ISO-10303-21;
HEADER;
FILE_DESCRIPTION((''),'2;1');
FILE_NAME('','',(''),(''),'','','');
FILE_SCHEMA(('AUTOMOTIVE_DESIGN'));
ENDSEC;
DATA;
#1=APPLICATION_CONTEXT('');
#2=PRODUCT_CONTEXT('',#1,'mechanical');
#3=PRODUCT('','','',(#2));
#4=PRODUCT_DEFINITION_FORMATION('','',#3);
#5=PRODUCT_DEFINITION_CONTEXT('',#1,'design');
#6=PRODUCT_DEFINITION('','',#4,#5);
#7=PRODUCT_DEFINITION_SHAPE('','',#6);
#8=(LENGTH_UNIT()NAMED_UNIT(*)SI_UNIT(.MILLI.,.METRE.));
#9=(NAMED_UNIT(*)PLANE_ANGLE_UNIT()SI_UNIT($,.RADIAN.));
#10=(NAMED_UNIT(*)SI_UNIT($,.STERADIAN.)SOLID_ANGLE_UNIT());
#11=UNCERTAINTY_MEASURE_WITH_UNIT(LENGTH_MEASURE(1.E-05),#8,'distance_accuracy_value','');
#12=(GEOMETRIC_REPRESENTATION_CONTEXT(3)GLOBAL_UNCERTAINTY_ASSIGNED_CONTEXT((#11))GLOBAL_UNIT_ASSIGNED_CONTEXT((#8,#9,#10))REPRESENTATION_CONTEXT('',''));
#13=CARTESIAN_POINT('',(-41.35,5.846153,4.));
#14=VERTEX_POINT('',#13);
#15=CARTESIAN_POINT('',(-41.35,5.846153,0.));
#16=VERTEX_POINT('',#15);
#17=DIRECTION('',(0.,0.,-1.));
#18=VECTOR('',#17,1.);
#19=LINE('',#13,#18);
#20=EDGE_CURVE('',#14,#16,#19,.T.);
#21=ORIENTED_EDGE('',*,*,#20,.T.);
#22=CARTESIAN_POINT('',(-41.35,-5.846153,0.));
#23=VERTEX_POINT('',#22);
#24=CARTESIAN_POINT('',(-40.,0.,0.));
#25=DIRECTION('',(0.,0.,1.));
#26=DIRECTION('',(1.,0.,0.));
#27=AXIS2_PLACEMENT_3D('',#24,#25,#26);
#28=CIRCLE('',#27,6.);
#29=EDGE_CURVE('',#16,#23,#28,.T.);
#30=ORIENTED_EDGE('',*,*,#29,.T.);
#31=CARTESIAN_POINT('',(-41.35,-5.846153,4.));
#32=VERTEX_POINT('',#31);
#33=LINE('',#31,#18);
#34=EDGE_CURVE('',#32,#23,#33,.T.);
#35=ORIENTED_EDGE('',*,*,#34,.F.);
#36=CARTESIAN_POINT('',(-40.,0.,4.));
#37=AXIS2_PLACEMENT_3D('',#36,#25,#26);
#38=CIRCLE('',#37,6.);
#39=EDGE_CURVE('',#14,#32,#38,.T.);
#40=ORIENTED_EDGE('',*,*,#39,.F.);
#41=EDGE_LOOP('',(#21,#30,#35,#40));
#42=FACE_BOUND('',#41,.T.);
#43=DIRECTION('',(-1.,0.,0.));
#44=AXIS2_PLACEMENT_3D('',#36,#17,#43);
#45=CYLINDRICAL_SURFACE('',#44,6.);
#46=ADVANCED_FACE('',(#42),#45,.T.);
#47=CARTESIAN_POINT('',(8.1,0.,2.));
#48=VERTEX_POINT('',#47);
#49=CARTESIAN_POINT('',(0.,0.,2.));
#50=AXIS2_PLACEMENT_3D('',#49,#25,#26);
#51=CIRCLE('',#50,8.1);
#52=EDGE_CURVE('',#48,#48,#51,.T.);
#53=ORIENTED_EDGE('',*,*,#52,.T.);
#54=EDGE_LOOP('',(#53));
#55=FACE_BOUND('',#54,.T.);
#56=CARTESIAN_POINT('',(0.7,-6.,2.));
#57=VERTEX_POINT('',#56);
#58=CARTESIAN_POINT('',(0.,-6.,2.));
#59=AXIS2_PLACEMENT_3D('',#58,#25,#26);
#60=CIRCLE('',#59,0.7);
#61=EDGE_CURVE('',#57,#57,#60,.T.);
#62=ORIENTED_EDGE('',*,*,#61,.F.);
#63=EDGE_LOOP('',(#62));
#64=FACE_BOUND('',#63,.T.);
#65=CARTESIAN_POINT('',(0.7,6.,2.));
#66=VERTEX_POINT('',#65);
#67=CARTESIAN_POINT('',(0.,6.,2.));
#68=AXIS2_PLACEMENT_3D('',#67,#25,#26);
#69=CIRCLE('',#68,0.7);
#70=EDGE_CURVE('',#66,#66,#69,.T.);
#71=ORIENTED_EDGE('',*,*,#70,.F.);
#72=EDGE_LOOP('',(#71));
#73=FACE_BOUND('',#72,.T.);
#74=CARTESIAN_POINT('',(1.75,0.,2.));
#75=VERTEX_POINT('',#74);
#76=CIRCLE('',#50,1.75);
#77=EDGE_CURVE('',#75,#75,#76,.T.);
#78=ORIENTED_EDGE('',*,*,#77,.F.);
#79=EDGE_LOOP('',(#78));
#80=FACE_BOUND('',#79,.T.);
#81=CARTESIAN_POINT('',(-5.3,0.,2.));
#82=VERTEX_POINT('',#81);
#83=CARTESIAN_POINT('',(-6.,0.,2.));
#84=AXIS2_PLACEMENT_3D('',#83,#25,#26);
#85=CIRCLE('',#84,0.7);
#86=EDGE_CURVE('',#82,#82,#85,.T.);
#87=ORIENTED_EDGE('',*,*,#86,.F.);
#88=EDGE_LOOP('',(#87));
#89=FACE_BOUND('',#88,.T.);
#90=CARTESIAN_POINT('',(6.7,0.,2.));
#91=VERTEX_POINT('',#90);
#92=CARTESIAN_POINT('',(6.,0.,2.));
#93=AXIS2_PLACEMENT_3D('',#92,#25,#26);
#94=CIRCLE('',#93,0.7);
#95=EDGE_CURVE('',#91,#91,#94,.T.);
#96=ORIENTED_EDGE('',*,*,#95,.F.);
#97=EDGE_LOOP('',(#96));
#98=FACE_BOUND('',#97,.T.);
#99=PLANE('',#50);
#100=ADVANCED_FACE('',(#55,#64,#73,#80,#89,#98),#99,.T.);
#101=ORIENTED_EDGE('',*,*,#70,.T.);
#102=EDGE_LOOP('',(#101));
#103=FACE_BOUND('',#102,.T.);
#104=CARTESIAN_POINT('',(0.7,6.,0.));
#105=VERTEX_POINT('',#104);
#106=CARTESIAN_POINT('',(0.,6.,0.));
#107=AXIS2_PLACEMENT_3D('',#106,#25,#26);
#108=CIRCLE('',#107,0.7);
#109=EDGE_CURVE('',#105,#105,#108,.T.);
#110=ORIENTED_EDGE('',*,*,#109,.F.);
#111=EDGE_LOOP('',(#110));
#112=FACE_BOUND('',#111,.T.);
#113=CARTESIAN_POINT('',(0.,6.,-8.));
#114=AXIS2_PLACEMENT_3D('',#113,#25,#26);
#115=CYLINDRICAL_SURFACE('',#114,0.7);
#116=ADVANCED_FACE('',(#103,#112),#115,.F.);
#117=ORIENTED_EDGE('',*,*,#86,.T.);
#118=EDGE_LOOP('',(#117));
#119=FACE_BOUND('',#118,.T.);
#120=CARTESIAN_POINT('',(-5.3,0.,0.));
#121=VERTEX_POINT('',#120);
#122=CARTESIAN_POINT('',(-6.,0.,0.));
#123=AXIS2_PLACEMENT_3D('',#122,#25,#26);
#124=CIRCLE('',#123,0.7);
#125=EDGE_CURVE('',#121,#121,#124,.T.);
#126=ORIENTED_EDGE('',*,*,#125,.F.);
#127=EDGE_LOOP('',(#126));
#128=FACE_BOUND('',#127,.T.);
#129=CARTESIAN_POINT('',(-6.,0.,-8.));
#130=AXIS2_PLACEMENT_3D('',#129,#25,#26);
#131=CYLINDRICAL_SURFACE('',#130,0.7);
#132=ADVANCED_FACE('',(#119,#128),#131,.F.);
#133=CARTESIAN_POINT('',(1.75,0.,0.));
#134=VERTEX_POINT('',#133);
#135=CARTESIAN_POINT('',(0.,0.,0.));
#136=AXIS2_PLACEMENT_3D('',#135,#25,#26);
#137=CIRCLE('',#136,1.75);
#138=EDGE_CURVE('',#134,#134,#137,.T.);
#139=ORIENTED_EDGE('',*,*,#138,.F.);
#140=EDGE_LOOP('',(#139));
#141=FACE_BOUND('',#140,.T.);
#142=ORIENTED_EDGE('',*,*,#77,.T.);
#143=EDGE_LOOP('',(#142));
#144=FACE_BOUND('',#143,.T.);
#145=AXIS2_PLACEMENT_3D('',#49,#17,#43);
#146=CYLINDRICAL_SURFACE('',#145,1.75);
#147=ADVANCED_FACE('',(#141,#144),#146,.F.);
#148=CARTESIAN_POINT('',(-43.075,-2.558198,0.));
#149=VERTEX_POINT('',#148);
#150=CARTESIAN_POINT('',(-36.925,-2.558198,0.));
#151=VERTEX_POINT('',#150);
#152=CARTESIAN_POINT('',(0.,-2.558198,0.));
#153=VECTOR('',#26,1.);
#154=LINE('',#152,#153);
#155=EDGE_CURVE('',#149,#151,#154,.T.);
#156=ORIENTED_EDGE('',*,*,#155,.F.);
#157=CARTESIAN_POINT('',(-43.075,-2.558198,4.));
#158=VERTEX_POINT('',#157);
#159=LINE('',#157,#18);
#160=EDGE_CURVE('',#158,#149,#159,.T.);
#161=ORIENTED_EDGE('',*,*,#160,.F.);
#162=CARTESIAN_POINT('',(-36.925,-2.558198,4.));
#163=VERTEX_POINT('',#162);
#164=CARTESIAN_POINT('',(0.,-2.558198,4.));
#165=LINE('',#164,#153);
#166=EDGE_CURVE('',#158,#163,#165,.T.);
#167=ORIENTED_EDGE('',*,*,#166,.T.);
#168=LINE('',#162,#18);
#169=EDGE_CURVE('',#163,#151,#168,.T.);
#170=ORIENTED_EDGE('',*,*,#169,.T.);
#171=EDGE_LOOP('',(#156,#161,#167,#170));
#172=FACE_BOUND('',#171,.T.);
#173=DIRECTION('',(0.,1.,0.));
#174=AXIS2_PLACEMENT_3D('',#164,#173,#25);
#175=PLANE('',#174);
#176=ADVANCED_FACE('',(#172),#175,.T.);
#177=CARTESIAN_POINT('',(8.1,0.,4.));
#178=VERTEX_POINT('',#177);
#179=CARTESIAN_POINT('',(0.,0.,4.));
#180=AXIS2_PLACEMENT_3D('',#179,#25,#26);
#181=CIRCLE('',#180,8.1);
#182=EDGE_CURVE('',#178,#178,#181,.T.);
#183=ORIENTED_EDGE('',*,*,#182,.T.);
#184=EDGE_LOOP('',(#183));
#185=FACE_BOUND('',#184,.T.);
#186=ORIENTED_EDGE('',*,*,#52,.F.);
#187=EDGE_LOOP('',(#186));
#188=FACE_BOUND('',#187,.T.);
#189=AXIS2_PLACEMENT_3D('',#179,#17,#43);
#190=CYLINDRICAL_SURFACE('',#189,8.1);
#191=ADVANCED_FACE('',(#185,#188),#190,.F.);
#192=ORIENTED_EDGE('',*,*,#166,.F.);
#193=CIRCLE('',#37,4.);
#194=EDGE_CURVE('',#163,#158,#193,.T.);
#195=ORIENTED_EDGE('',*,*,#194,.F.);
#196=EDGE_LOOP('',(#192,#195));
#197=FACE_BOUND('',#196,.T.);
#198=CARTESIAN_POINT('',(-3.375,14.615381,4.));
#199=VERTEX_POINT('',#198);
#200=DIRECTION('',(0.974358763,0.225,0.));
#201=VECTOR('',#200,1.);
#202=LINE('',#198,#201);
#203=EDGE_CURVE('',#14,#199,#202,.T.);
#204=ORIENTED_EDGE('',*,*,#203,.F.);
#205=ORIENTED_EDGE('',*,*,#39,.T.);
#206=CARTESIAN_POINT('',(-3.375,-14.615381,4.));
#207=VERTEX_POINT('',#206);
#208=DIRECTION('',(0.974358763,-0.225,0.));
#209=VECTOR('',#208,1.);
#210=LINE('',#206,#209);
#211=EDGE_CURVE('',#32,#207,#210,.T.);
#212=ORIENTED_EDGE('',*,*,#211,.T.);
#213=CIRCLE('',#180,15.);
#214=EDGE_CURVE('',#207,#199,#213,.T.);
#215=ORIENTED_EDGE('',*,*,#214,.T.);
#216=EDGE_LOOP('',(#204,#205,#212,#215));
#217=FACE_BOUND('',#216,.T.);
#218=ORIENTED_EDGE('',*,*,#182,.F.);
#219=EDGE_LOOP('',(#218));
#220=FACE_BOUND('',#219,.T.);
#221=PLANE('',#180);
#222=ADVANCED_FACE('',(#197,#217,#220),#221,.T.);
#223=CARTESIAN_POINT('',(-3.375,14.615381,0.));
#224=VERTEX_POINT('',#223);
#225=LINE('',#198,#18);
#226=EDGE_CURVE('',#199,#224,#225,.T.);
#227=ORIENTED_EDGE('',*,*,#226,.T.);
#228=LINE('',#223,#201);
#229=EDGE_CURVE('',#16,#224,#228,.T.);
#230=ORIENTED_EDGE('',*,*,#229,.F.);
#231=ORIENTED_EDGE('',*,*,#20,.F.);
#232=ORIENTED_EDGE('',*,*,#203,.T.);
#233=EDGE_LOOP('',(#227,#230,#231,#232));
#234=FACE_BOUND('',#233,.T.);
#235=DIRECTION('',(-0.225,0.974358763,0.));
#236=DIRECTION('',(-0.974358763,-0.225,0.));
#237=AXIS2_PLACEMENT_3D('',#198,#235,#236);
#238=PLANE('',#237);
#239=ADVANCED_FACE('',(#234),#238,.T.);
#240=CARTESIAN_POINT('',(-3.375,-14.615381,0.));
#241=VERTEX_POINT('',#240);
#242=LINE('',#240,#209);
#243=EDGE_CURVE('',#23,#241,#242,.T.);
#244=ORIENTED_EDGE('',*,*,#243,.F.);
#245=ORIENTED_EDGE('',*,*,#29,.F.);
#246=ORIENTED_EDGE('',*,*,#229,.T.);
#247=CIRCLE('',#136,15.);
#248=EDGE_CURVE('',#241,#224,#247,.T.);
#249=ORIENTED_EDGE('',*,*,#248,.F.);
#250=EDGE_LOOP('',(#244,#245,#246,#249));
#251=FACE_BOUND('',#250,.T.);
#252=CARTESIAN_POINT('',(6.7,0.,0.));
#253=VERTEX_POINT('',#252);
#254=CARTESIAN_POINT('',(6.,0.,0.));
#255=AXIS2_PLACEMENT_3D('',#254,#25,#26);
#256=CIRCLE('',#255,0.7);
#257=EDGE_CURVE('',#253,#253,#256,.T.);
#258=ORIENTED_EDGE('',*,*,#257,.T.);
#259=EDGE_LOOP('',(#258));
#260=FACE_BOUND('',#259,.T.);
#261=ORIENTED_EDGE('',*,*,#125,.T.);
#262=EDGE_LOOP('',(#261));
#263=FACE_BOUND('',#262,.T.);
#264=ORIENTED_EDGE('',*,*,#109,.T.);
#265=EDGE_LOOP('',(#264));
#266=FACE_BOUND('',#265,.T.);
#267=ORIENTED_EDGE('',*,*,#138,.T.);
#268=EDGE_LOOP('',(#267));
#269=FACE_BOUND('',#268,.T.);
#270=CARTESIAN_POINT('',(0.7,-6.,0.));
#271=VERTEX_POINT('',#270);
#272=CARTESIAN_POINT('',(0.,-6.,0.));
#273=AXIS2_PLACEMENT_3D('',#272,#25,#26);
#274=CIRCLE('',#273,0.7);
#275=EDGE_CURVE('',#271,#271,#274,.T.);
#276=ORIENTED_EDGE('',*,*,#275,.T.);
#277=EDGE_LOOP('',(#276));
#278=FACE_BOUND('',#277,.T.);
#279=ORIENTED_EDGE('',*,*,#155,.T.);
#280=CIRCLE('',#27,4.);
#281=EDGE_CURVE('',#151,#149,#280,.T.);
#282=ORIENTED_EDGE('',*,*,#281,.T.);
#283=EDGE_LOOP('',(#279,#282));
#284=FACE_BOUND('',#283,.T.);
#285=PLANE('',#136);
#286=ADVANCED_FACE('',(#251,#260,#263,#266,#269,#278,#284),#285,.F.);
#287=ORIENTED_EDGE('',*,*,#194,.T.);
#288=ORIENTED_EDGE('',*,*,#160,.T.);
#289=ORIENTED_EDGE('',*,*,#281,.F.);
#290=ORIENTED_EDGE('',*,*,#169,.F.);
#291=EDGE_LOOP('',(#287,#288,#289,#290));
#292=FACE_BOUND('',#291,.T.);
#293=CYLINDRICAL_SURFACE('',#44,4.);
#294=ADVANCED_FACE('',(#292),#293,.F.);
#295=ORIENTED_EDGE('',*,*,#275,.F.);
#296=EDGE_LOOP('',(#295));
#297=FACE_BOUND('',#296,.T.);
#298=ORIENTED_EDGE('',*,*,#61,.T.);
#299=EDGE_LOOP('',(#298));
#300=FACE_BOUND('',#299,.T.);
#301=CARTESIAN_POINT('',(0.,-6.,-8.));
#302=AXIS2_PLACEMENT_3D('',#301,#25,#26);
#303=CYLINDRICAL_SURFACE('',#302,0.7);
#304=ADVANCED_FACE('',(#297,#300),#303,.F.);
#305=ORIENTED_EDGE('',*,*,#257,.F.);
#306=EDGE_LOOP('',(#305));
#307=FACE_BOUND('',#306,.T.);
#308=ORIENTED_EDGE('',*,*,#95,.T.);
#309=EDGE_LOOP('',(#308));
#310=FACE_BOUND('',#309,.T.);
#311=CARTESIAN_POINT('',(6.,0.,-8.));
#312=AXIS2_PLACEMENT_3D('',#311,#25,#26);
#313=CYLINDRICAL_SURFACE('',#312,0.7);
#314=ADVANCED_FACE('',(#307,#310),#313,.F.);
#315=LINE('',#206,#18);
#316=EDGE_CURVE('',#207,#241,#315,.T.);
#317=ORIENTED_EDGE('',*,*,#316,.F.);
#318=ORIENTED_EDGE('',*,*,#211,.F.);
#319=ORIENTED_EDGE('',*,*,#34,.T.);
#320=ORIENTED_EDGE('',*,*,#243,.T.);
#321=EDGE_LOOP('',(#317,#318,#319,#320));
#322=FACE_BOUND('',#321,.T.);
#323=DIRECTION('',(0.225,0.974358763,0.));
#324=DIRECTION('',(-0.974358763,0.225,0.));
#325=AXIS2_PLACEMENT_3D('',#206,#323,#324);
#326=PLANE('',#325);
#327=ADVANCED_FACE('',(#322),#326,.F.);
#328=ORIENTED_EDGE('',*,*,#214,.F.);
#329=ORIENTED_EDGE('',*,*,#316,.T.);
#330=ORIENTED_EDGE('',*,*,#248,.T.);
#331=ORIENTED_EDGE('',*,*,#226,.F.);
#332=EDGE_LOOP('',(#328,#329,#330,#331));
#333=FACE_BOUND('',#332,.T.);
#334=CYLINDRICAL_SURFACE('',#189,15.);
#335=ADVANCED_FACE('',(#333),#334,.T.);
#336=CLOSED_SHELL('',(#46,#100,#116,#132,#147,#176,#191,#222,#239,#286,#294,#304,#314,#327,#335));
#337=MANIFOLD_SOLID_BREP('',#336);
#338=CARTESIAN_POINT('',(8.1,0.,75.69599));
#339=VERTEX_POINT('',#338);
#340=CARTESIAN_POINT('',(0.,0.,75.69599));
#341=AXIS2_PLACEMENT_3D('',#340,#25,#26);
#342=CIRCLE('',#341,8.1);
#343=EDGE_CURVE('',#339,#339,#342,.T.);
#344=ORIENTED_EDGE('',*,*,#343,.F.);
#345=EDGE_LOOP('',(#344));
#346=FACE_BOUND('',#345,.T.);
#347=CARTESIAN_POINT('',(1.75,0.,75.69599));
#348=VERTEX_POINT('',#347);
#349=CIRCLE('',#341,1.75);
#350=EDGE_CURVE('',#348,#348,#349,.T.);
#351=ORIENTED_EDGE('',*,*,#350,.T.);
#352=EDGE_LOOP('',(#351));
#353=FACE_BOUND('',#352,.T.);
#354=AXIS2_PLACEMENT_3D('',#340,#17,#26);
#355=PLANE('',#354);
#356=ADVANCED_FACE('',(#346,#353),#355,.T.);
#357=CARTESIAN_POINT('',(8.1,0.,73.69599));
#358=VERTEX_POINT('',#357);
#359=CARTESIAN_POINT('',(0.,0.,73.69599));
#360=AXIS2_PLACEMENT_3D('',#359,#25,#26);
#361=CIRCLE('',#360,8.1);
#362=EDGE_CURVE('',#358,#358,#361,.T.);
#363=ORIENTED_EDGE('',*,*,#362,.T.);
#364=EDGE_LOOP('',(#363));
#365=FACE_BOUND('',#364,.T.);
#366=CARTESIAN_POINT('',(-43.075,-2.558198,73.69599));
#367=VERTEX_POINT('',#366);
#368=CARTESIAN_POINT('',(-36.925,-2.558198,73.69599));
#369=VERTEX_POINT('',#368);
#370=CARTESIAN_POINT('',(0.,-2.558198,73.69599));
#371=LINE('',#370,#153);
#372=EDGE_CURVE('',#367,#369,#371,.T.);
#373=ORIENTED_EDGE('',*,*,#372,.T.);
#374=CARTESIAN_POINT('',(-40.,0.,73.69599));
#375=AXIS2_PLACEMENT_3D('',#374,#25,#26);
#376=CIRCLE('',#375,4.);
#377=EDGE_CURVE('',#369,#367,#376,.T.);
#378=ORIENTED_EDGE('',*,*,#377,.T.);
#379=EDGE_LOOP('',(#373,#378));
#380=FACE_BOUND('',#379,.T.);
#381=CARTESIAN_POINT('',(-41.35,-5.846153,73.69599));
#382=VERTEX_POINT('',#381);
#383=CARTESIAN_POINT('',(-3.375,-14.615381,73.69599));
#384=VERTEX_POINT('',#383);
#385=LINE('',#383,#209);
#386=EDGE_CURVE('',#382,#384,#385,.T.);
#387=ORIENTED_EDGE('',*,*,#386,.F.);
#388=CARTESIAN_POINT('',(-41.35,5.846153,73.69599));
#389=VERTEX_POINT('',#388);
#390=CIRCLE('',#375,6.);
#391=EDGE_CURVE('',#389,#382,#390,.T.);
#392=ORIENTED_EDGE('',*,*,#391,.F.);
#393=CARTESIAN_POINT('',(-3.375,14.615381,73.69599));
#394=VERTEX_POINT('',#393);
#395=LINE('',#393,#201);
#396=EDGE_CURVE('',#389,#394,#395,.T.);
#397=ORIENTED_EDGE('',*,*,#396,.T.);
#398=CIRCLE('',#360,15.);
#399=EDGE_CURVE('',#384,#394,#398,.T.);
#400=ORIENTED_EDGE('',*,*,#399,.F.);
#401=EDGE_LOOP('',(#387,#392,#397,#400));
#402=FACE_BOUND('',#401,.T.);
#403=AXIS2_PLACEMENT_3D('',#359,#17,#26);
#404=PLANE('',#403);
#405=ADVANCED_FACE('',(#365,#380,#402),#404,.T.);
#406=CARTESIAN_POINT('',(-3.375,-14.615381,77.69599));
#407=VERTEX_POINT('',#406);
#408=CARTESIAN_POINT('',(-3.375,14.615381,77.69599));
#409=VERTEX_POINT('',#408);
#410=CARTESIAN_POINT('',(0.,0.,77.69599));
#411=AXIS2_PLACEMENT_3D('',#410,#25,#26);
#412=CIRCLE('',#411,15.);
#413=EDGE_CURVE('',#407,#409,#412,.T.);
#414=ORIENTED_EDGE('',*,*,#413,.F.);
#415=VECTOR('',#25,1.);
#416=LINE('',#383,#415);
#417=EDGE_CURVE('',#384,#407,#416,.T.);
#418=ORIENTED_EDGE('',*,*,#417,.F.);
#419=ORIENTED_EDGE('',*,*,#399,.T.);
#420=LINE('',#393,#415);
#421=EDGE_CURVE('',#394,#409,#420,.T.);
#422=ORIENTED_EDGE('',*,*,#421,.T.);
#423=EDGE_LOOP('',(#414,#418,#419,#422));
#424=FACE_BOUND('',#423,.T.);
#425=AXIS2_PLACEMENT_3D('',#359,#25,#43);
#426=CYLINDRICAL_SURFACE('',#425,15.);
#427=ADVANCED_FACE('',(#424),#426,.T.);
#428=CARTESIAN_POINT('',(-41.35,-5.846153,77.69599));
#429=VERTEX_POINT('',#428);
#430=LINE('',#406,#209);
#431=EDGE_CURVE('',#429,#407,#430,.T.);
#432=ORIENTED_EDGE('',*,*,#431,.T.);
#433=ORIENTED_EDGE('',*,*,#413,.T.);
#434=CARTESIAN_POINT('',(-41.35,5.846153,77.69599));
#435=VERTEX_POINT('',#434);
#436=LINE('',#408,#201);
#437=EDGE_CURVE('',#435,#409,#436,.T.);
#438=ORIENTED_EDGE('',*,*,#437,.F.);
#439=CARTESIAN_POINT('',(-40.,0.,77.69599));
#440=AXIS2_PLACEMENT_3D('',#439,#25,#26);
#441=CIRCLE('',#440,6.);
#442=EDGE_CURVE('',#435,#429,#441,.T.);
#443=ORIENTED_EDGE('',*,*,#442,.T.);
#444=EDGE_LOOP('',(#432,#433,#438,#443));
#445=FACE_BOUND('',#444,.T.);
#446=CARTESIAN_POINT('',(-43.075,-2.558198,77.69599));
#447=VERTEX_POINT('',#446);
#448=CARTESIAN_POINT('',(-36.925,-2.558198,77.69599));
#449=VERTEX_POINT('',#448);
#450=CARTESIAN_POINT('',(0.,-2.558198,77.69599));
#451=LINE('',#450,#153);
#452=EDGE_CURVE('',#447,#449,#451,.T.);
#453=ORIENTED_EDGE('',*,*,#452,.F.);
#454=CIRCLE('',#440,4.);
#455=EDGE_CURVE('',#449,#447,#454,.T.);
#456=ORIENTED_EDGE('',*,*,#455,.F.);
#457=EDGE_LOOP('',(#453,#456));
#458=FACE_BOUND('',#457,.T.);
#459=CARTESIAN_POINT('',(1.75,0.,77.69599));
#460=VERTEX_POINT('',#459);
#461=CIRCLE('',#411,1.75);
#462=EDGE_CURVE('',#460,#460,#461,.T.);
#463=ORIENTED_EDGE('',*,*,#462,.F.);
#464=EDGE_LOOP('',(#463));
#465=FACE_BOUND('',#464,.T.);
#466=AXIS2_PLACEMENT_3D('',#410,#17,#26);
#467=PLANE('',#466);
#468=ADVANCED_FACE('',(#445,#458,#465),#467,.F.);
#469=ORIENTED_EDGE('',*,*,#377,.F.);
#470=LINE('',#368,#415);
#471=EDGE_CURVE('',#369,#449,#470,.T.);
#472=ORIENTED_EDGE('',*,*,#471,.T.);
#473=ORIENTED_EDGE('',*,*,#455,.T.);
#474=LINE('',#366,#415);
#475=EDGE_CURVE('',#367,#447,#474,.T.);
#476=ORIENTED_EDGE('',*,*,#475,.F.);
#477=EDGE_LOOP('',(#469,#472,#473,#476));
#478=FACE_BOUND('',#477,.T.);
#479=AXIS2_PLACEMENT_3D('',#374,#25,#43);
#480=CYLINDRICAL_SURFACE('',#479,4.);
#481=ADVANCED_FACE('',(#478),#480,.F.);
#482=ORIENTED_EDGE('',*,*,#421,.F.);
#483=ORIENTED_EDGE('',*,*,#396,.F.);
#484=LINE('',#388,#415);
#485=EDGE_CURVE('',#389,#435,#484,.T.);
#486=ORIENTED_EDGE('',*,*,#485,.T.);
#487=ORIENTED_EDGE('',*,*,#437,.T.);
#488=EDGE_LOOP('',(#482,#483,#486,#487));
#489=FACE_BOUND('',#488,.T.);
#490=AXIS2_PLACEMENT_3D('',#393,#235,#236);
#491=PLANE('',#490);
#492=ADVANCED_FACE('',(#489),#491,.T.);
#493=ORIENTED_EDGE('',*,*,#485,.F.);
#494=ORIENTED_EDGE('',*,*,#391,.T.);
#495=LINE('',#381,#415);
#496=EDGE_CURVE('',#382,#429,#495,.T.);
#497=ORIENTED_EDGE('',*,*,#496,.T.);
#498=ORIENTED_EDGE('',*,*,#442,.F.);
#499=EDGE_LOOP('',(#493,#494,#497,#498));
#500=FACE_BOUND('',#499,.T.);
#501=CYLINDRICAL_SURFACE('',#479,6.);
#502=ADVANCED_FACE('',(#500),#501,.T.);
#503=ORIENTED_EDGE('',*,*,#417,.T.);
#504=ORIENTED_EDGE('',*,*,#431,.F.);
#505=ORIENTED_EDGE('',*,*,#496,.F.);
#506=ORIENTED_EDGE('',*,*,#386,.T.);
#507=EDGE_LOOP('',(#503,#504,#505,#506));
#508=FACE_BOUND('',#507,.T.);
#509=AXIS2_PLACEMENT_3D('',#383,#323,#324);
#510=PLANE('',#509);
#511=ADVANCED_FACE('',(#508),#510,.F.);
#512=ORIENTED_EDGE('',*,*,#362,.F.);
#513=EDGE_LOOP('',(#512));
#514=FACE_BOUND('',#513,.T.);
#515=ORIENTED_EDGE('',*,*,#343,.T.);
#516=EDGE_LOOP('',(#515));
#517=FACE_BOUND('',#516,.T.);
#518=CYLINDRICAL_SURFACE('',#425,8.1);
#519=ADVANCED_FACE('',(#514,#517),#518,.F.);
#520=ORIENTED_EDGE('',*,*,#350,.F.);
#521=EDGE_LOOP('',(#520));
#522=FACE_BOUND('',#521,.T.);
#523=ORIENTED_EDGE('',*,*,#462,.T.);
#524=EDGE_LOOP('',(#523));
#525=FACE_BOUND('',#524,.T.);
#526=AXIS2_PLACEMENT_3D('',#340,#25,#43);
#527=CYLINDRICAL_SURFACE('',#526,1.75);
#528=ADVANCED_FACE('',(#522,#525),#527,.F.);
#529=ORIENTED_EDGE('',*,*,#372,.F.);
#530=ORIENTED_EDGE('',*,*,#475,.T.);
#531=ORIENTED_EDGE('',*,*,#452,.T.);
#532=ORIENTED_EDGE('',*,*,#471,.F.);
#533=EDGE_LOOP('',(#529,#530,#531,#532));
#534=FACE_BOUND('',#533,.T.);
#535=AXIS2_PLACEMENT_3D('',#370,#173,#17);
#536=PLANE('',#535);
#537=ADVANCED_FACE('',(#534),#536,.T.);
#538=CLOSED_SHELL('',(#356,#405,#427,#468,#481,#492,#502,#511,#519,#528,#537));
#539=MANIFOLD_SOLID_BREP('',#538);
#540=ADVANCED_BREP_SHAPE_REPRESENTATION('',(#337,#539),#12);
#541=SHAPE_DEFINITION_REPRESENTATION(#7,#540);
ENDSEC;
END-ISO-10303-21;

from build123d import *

# Parameters (mm, degrees)
SKETCH1_R           = 15
SKETCH1_R_2         = 8.1
BOSS_EXTRUDE1_DEPTH = 4
SKETCH1_3_R         = 8.1
SKETCH1_3_R_2       = 1.75
BOSS_EXTRUDE2_DEPTH = 2
BOSS_EXTRUDE3_DEPTH = 4
SKETCH3_R           = 0.7
CUT_EXTRUDE1_DEPTH  = 10


with BuildPart() as part:
    # Sketch1 → Boss-Extrude1 (new body)
    with BuildSketch(Plane.XY):
        Circle(SKETCH1_R)
        Circle(SKETCH1_R_2, mode=Mode.SUBTRACT)
    extrude(amount=BOSS_EXTRUDE1_DEPTH)

    # Sketch1<3> → Boss-Extrude2 (add)
    with BuildSketch(Plane.XY):
        Circle(SKETCH1_3_R)
        Circle(SKETCH1_3_R_2, mode=Mode.SUBTRACT)
    extrude(amount=BOSS_EXTRUDE2_DEPTH)

    # Sketch2 → Boss-Extrude3 (add)
    with BuildSketch(Plane.XY):
        with BuildLine():
            Line((-3.375, 14.615381452), (-41.35, 5.846152581))
            ThreePointArc((-41.35, 5.846152581), (-46, 0), (-41.35, -5.846152581))
            Line((-41.35, -5.846152581), (-3.375, -14.615381452))
            ThreePointArc((-3.375, -14.615381452), (-15, 0), (-3.375, 14.615381452))
        make_face()
        with BuildLine():
            Line((-36.925, -2.558197608), (-43.075, -2.558197608))
            ThreePointArc((-43.075, -2.558197608), (-40, 4), (-36.925, -2.558197608))
        make_face(mode=Mode.SUBTRACT)
    extrude(amount=BOSS_EXTRUDE3_DEPTH)


with BuildPart() as body_2:
    # Mirror2: mirrored copy
    add(part.part.mirror(Plane.XY.offset(38.847994838)))


with BuildPart() as part_1:
    add(part.part)

    # Sketch3 → Cut-Extrude1 (cut)
    with BuildSketch(Plane.XY.offset(2)):
        with Locations((0, 6)):
            Circle(SKETCH3_R)
        with Locations((6, 0)):
            Circle(SKETCH3_R)
        with Locations((0, -6)):
            Circle(SKETCH3_R)
        with Locations((-6, 0)):
            Circle(SKETCH3_R)
    extrude(amount=-CUT_EXTRUDE1_DEPTH, mode=Mode.SUBTRACT)


solid = Compound([body_2.part, part_1.part])
